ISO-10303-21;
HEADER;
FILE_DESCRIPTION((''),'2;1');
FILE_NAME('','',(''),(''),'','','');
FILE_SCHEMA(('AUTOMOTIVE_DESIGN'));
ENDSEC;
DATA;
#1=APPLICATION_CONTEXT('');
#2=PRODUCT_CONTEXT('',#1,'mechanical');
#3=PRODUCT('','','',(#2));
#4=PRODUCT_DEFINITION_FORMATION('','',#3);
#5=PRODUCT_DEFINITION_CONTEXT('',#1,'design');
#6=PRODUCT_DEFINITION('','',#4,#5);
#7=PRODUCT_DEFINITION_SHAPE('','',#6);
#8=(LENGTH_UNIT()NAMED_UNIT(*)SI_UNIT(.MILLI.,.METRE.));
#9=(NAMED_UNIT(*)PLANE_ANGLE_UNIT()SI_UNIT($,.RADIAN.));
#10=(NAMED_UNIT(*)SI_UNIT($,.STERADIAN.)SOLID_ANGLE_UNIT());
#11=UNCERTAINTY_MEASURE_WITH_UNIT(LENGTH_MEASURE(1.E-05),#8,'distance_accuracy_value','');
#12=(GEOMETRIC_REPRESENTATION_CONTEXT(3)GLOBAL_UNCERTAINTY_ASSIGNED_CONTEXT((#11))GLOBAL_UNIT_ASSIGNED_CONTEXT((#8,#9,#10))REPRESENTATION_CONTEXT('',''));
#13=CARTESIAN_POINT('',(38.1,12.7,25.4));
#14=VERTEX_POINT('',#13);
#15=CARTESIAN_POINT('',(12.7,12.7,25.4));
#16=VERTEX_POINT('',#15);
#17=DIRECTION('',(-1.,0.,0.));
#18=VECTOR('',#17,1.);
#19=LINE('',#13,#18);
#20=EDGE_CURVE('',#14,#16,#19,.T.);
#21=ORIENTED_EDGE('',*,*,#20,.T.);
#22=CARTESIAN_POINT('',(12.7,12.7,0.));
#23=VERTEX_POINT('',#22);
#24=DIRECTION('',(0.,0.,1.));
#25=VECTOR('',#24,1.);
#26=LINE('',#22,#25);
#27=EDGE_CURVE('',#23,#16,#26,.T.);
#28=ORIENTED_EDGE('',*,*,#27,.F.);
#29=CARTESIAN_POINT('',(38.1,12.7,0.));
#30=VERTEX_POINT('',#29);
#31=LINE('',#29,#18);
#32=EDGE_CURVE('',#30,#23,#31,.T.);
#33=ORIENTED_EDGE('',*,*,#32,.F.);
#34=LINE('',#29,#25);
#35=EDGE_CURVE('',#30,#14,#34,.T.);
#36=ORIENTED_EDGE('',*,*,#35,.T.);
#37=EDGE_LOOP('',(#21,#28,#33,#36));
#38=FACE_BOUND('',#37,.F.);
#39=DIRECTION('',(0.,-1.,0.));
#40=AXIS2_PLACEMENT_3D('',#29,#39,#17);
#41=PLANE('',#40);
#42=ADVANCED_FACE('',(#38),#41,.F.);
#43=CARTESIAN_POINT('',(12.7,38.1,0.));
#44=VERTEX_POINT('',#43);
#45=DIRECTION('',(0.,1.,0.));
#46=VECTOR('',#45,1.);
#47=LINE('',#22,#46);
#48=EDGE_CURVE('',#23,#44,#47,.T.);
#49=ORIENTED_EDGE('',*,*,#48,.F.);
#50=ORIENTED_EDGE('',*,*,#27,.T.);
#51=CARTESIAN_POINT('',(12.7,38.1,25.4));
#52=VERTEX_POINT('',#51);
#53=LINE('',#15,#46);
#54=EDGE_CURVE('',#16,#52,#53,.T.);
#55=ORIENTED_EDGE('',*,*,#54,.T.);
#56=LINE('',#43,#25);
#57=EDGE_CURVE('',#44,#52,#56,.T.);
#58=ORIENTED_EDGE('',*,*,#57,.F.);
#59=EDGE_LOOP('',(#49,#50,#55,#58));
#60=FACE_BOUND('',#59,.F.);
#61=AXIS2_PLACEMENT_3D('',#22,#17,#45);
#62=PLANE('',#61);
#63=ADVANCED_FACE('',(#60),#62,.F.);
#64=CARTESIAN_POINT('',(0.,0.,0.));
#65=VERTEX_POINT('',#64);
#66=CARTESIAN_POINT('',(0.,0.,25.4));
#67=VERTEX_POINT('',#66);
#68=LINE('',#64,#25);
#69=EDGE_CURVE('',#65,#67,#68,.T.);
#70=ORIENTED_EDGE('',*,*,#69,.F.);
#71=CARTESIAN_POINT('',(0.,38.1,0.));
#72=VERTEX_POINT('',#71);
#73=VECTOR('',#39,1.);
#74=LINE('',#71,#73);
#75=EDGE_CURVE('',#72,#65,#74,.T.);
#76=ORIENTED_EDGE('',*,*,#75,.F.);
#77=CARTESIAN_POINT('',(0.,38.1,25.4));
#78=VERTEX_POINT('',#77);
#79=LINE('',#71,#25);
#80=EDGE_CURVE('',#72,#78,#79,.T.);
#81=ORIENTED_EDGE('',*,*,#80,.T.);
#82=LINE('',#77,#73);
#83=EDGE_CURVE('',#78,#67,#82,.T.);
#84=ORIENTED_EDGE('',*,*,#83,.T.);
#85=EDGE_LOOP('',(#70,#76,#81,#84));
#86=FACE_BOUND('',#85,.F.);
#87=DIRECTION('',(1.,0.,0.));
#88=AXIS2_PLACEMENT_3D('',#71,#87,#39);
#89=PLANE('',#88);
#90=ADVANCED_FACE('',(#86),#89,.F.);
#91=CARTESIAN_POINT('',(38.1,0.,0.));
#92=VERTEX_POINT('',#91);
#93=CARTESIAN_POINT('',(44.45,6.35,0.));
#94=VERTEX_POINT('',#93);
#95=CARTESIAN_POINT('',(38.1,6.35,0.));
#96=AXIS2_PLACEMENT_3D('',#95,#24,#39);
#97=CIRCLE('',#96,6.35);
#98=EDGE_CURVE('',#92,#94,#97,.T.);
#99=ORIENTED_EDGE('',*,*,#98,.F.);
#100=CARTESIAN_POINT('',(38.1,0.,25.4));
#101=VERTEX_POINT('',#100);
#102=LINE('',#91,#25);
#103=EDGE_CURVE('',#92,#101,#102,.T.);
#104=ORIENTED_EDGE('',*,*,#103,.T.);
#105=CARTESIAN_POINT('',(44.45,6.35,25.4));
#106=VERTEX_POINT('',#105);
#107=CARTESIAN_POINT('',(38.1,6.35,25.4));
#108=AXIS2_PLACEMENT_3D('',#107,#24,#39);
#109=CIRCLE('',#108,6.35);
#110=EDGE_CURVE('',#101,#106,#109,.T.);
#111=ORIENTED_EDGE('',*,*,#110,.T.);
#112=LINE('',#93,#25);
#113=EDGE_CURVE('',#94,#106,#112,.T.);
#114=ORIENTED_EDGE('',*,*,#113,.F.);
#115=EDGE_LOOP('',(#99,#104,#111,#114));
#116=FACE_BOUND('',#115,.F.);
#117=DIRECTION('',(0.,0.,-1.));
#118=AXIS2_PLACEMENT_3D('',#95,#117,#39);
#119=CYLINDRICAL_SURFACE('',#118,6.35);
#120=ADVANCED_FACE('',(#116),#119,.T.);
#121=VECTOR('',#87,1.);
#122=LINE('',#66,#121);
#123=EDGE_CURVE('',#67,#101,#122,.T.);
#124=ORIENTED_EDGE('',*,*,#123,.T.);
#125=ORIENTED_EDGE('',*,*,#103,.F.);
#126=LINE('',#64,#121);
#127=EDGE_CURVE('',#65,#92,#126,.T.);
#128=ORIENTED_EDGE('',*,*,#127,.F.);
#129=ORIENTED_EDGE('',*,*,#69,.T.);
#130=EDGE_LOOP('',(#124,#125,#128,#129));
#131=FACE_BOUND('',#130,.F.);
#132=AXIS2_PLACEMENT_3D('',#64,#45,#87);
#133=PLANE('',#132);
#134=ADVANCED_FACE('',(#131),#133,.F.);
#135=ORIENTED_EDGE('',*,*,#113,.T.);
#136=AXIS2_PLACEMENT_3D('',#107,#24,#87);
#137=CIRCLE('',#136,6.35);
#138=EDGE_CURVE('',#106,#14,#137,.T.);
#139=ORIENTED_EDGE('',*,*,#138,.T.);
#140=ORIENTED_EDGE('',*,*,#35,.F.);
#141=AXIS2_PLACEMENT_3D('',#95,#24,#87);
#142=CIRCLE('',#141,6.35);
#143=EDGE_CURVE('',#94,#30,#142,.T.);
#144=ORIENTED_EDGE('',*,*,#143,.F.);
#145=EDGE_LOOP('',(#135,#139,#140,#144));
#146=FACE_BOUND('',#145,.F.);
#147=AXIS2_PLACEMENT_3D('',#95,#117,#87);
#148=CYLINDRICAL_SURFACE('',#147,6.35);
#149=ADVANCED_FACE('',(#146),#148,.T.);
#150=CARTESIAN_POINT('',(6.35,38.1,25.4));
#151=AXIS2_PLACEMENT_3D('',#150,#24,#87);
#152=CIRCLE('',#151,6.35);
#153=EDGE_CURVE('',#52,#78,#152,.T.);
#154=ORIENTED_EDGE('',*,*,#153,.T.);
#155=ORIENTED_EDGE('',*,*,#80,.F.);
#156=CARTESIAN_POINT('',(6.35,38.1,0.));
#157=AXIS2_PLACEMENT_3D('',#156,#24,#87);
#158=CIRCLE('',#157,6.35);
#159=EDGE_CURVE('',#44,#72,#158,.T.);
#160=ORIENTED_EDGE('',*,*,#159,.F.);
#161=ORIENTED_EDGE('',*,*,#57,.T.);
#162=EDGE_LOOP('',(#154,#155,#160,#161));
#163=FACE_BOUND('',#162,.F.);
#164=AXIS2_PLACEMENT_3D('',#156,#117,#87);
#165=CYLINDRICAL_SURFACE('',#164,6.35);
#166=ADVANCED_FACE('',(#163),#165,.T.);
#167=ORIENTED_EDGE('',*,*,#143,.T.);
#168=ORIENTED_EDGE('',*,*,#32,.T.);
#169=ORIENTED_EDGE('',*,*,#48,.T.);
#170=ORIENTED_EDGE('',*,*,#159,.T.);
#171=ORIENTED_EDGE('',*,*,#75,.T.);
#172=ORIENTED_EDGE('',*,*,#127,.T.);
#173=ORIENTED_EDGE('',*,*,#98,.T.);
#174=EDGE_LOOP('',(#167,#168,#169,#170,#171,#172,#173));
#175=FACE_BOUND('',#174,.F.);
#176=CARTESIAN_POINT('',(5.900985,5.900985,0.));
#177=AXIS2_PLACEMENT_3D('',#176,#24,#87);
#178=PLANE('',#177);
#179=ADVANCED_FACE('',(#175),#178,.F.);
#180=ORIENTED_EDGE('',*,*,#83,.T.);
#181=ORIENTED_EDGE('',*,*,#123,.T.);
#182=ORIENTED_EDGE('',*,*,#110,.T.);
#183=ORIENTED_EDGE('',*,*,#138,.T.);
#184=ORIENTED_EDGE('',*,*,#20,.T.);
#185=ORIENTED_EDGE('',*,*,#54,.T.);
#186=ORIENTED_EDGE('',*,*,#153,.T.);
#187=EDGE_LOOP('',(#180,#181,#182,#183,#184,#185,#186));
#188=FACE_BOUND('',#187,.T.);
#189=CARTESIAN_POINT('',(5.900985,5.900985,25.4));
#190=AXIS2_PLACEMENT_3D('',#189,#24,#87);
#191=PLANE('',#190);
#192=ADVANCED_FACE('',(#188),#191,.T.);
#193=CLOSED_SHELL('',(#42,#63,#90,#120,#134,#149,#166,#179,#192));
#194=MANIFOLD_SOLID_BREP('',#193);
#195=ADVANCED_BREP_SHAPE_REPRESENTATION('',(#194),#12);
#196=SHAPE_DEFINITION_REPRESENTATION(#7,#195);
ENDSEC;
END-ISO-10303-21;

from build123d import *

# Parameters (mm, degrees)
F1_DEPTH = 25.4


with BuildPart() as f1:
    # F0 (on Top) → F1 (new body)
    with BuildSketch(Plane.XY):
        with BuildLine():
            Line((0, 12.7), (0, 0))
            Line((0, 0), (12.7, 0))
            Line((12.7, 0), (12.7, 6.35))
            ThreePointArc((12.7, 6.35), (10.8401280605, 10.8401280605), (6.35, 12.7))
            Line((6.35, 12.7), (0, 12.7))
        make_face()
        with BuildLine():
            Line((12.7, 6.35), (12.7, 0))
            Line((12.7, 0), (38.1, 0))
            ThreePointArc((38.1, 0), (31.75, 6.35), (38.1, 12.7))
            Line((38.1, 12.7), (23.6217547208, 12.7))
            Line((23.6217547208, 12.7), (18.1608773604, 12.7))
            Line((18.1608773604, 12.7), (12.7, 12.7))
            Line((12.7, 12.7), (12.7, 6.35))
        make_face()
        with BuildLine():
            Line((0, 38.1), (0, 12.7))
            Line((0, 12.7), (6.35, 12.7))
            Line((6.35, 12.7), (12.7, 12.7))
            Line((12.7, 12.7), (12.7, 19.05))
            Line((12.7, 19.05), (12.7, 38.1))
            ThreePointArc((12.7, 38.1), (6.35, 31.75), (0, 38.1))
        make_face()
        with BuildLine():
            ThreePointArc((38.1, 12.7), (31.75, 6.35), (38.1, 0))
            Line((38.1, 0), (38.1, 12.7))
        make_face()
        with BuildLine():
            Line((38.1, 12.7), (38.1, 0))
            ThreePointArc((38.1, 0), (42.5901280605, 1.8598719395), (44.45, 6.35))
            ThreePointArc((44.45, 6.35), (42.5901280605, 10.8401280605), (38.1, 12.7))
        make_face()
        with BuildLine():
            ThreePointArc((6.35, 12.7), (10.8401280605, 10.8401280605), (12.7, 6.35))
            Line((12.7, 6.35), (12.7, 12.7))
            Line((12.7, 12.7), (6.35, 12.7))
        make_face()
        with BuildLine():
            ThreePointArc((12.7, 38.1), (6.35, 44.45), (0, 38.1))
            Line((0, 38.1), (12.7, 38.1))
        make_face()
        with BuildLine():
            Line((12.7, 38.1), (0, 38.1))
            ThreePointArc((0, 38.1), (6.35, 31.75), (12.7, 38.1))
        make_face()
    extrude(amount=F1_DEPTH)


solid = f1.part
